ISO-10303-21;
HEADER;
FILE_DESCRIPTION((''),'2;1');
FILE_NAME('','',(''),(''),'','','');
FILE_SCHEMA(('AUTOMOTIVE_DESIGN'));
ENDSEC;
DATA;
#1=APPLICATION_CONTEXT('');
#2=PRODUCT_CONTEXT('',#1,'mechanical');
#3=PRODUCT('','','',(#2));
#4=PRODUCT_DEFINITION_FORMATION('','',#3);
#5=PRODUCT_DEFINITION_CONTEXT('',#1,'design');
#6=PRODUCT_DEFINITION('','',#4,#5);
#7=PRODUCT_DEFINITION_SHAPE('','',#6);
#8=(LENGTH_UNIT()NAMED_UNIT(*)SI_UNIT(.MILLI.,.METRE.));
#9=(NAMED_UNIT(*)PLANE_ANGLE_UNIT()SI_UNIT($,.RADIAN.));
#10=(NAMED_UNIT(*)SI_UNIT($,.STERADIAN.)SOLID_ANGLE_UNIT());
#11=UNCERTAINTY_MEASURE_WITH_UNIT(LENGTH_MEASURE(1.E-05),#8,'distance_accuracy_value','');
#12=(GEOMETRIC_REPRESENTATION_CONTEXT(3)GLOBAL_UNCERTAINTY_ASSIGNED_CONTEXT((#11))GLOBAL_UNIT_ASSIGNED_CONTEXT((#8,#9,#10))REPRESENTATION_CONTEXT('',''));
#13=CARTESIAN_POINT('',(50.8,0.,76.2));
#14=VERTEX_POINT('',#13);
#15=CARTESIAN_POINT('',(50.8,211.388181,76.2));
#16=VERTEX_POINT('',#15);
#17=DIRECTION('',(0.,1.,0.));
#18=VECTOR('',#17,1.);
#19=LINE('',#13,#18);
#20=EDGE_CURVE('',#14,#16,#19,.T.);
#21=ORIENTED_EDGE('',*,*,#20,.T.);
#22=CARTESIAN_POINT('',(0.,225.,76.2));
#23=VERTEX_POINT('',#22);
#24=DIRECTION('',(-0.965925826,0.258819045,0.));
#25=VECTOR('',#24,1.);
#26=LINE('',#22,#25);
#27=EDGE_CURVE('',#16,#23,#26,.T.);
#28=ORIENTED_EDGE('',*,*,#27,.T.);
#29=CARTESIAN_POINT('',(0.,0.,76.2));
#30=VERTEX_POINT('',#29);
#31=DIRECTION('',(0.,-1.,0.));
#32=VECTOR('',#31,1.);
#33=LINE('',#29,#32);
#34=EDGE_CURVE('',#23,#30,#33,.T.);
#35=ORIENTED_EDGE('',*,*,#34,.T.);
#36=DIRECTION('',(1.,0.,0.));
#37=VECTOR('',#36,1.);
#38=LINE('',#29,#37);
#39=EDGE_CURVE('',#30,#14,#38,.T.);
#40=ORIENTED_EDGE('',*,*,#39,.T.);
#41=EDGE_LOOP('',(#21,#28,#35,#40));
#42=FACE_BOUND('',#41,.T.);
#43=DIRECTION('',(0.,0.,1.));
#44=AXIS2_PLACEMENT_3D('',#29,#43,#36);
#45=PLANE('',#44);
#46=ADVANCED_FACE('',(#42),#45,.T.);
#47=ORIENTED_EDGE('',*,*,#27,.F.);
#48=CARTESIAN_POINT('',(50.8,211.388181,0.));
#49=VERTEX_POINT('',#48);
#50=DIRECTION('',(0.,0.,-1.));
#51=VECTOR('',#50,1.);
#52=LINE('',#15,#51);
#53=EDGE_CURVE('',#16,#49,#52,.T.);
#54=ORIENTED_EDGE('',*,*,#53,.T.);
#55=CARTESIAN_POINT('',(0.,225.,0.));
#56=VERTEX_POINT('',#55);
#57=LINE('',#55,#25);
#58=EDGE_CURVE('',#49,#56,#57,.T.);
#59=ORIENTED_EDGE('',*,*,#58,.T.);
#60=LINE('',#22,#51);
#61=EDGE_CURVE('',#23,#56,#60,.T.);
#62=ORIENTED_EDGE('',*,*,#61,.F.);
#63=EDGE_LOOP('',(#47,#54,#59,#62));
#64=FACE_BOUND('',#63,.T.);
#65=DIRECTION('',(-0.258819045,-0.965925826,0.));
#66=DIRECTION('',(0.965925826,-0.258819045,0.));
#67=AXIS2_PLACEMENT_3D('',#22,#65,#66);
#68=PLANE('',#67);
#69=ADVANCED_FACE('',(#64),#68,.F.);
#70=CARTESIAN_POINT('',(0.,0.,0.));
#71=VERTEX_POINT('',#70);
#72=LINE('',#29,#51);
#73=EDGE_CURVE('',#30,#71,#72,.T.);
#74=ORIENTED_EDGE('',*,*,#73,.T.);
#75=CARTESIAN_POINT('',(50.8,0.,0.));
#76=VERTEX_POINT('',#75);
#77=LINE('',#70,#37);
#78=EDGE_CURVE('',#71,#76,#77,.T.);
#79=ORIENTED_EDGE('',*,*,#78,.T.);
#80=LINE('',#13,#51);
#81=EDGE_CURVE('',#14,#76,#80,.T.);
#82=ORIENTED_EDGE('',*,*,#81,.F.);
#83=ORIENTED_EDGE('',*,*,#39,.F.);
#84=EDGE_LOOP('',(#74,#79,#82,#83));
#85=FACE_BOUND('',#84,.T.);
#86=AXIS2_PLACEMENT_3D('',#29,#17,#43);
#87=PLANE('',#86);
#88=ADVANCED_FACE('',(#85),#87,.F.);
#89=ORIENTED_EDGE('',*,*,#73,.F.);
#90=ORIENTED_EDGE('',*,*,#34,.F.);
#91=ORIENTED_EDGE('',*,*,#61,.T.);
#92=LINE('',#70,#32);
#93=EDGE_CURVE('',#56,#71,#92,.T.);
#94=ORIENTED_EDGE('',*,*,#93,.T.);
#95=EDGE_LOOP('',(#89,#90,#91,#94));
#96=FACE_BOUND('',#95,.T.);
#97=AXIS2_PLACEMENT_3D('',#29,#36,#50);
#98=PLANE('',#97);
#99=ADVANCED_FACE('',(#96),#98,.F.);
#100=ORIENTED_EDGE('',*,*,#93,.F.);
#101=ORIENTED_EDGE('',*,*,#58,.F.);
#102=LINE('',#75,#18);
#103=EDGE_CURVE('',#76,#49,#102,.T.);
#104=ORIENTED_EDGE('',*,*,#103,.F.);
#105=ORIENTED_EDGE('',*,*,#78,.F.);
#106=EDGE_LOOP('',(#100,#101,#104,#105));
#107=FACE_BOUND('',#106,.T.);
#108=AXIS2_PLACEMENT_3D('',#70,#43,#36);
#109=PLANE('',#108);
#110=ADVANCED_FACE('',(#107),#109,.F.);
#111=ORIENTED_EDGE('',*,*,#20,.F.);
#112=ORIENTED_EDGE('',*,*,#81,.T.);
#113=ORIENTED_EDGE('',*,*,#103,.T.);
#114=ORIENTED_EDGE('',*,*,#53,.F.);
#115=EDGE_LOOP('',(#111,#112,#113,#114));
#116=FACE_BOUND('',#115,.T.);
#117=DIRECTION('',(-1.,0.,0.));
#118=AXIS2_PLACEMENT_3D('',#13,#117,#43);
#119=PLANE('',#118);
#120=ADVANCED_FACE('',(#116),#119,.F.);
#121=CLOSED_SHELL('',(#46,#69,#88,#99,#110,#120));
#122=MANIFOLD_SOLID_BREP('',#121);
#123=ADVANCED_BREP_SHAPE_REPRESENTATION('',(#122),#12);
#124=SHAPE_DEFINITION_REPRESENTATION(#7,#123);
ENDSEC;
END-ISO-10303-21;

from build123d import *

# Parameters (mm, degrees)
SALIENTE_EXTRUIR1_DEPTH = 76.2


with BuildPart() as part:
    # Croquis1 → Saliente-Extruir1 (new body)
    with BuildSketch(Plane.XY):
        Polygon((0, 0), (0, 225), (50.8, 211.388181024), (50.8, 0), align=None)
    extrude(amount=SALIENTE_EXTRUIR1_DEPTH)


solid = part.part
